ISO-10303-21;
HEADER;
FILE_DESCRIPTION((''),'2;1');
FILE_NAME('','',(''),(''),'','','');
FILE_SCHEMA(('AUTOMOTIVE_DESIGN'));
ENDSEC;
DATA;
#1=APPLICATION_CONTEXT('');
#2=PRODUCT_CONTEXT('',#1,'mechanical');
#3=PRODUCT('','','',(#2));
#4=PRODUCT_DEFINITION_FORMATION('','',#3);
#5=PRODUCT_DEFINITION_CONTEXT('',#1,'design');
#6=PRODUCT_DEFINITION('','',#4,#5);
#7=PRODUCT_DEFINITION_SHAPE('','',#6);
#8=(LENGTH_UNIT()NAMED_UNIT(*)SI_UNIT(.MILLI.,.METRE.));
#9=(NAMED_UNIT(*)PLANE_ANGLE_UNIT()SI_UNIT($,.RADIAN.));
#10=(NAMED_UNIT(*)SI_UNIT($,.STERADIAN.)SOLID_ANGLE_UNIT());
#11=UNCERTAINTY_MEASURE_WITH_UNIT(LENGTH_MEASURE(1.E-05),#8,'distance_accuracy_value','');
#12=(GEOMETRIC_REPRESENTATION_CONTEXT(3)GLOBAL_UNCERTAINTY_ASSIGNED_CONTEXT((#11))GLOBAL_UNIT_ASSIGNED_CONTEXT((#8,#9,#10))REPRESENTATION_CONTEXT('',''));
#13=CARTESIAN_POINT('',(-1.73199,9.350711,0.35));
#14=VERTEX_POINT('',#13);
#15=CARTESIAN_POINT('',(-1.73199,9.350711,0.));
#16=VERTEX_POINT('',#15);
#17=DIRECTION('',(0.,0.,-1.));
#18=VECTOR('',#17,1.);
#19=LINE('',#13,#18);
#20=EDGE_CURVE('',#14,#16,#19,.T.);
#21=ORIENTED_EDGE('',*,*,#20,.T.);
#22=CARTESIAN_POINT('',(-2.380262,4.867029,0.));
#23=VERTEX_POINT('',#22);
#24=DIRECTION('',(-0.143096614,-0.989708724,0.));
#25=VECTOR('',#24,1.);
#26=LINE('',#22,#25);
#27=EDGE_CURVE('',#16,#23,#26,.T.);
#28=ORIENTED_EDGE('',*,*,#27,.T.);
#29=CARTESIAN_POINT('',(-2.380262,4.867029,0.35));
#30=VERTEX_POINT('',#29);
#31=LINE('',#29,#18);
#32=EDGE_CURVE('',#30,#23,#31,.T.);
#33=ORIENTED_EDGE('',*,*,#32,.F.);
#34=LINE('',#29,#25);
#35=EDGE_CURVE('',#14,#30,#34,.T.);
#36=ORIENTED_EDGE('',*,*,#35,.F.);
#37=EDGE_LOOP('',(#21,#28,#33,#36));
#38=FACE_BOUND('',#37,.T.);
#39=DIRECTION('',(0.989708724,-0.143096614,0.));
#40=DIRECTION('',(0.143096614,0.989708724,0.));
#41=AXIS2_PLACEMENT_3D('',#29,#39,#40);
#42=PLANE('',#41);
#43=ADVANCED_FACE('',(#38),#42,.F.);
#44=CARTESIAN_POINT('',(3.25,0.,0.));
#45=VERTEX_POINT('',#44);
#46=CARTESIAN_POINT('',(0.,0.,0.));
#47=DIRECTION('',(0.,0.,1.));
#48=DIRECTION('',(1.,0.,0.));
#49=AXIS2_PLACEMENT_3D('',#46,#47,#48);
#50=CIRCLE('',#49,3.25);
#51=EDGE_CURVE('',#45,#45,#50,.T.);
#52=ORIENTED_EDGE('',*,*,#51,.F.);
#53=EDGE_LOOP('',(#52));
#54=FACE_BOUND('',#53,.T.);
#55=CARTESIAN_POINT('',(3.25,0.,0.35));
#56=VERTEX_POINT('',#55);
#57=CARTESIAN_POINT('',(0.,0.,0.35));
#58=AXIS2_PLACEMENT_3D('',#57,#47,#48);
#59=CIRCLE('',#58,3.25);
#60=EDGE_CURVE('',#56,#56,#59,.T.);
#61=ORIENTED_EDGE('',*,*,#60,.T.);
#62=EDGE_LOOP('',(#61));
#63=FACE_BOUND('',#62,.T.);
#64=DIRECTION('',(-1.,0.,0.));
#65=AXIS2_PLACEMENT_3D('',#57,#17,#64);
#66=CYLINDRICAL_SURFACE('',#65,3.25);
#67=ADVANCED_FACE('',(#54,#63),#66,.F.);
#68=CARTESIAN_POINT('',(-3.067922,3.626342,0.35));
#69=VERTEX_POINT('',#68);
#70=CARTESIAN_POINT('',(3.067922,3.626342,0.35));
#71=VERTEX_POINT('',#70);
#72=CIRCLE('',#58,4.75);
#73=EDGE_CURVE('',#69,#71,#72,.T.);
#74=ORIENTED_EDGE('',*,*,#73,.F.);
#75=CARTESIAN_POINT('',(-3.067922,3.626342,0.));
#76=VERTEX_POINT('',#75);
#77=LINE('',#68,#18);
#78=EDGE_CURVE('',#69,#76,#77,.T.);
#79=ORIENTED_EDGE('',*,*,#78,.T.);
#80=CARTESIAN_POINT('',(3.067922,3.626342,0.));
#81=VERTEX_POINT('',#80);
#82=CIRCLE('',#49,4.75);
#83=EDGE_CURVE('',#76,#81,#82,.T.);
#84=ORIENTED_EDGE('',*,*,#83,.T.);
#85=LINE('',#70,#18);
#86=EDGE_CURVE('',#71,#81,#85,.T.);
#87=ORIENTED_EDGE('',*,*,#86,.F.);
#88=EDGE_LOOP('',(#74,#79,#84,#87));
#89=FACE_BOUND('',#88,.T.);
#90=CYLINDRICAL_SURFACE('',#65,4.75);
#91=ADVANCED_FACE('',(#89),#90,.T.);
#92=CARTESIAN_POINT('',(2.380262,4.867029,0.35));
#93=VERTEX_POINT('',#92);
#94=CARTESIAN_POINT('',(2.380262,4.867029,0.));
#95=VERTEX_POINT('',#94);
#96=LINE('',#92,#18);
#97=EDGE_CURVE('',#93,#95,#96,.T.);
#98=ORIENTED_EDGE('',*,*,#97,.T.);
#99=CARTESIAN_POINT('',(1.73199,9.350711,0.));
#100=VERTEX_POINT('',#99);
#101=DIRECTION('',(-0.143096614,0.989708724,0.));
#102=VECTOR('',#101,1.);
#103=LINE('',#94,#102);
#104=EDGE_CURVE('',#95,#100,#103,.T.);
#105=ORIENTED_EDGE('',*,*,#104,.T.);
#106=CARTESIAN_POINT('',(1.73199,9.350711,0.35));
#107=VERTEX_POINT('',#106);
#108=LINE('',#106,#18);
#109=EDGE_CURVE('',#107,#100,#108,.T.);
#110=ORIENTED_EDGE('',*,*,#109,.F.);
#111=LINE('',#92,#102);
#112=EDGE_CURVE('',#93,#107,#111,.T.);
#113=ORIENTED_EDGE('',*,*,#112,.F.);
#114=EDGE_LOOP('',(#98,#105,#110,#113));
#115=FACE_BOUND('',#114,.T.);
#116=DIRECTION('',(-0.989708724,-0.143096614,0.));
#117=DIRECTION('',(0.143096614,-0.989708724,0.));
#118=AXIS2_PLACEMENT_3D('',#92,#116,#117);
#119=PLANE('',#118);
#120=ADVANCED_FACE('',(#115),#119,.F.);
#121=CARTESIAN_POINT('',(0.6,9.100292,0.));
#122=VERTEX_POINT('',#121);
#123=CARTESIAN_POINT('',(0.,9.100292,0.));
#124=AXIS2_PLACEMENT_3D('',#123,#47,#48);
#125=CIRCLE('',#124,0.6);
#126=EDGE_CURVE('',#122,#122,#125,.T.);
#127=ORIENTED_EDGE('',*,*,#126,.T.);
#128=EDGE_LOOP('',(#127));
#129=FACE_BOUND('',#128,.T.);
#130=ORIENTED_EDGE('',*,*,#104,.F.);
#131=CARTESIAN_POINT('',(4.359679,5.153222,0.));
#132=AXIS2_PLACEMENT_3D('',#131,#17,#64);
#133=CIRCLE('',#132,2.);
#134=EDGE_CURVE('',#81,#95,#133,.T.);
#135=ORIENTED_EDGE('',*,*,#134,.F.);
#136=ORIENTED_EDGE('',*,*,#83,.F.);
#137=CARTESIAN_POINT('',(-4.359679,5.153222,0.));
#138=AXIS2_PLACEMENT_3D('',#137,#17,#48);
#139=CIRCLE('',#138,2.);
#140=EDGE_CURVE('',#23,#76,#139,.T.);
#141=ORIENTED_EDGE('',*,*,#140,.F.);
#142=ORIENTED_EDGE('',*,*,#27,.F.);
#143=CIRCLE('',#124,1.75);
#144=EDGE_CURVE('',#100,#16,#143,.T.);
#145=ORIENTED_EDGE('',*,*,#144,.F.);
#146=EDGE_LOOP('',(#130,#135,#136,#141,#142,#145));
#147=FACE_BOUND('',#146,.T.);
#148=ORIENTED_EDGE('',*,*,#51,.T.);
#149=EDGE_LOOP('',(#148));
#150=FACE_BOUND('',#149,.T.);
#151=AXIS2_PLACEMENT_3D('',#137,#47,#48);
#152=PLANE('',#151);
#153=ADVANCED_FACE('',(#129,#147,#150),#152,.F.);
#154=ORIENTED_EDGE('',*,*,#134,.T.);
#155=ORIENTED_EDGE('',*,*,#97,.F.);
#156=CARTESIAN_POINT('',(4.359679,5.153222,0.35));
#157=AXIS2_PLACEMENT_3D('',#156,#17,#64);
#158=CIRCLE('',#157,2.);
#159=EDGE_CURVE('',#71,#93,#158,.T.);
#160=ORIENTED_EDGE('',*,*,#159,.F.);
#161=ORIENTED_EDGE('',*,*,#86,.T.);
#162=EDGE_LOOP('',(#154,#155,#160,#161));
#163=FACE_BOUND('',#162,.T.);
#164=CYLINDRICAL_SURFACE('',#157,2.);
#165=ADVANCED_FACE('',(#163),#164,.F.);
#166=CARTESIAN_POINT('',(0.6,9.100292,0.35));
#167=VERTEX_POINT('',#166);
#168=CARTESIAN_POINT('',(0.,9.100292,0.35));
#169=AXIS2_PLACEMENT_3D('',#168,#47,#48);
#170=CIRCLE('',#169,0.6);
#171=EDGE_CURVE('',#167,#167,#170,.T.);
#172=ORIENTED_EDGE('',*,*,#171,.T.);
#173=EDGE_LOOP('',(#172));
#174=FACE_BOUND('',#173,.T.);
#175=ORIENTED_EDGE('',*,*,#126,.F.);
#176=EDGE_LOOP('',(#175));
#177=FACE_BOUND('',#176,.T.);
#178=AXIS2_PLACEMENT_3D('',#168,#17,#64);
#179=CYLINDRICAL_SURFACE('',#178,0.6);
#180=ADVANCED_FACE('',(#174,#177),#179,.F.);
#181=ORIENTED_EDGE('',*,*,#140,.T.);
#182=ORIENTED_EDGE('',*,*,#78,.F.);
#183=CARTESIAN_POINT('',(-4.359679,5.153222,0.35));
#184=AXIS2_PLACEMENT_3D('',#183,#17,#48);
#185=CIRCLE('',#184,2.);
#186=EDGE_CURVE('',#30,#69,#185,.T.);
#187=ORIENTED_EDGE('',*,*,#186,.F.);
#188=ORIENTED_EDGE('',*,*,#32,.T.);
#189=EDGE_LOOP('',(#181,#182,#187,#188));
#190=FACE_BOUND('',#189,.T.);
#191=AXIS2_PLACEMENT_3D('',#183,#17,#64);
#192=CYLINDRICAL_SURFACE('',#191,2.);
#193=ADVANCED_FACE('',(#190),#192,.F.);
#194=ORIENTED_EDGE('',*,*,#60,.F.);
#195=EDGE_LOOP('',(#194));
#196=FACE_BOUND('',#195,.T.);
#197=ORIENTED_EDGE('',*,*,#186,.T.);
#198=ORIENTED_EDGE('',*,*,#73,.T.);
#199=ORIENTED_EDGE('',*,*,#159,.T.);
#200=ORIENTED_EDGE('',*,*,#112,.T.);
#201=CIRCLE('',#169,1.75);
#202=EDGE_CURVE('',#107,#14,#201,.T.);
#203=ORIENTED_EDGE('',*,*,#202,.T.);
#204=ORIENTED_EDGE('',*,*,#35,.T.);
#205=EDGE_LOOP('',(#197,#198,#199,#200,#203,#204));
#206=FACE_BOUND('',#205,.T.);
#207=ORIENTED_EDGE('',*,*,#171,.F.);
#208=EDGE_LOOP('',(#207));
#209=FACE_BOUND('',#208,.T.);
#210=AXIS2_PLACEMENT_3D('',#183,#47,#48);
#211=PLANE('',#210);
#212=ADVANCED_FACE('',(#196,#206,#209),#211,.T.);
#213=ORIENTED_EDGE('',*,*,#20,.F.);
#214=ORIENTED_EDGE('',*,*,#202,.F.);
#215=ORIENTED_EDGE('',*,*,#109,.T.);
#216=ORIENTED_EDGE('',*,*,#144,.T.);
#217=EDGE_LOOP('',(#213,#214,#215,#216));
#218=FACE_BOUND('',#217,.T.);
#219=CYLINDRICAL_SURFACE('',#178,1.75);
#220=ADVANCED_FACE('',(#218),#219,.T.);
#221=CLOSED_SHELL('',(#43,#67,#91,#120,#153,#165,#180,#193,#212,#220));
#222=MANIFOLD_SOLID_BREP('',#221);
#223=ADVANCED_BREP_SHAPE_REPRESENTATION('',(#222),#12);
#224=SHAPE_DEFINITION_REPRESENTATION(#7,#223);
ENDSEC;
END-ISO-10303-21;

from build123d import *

# Parameters (mm, degrees)
SKETCH_1_R      = 3.25
SKETCH_1_R_2    = 0.6
EXTRUDE_1_DEPTH = 0.35


with BuildPart() as part:
    # Эскиз1 → Вытянуть1 (new body)
    with BuildSketch(Plane.XY):
        with BuildLine():
            Line((2.380261504, 4.86702901), (1.731990268, 9.350710913))
            ThreePointArc((1.731990268, 9.350710913), (0, 10.850291839), (-1.731990268, 9.350710913))
            Line((-1.731990268, 9.350710913), (-2.380261504, 4.86702901))
            ThreePointArc((-2.380261504, 4.86702901), (-2.610401545, 4.183671542), (-3.067922226, 3.626341575))
            ThreePointArc((-3.067922226, 3.626341575), (0, -4.75), (3.067922226, 3.626341575))
            ThreePointArc((3.067922226, 3.626341575), (2.610401545, 4.183671542), (2.380261504, 4.86702901))
        make_face()
        Circle(SKETCH_1_R, mode=Mode.SUBTRACT)
        with Locations((0, 9.100291839)):
            Circle(SKETCH_1_R_2, mode=Mode.SUBTRACT)
    extrude(amount=EXTRUDE_1_DEPTH)


solid = part.part
